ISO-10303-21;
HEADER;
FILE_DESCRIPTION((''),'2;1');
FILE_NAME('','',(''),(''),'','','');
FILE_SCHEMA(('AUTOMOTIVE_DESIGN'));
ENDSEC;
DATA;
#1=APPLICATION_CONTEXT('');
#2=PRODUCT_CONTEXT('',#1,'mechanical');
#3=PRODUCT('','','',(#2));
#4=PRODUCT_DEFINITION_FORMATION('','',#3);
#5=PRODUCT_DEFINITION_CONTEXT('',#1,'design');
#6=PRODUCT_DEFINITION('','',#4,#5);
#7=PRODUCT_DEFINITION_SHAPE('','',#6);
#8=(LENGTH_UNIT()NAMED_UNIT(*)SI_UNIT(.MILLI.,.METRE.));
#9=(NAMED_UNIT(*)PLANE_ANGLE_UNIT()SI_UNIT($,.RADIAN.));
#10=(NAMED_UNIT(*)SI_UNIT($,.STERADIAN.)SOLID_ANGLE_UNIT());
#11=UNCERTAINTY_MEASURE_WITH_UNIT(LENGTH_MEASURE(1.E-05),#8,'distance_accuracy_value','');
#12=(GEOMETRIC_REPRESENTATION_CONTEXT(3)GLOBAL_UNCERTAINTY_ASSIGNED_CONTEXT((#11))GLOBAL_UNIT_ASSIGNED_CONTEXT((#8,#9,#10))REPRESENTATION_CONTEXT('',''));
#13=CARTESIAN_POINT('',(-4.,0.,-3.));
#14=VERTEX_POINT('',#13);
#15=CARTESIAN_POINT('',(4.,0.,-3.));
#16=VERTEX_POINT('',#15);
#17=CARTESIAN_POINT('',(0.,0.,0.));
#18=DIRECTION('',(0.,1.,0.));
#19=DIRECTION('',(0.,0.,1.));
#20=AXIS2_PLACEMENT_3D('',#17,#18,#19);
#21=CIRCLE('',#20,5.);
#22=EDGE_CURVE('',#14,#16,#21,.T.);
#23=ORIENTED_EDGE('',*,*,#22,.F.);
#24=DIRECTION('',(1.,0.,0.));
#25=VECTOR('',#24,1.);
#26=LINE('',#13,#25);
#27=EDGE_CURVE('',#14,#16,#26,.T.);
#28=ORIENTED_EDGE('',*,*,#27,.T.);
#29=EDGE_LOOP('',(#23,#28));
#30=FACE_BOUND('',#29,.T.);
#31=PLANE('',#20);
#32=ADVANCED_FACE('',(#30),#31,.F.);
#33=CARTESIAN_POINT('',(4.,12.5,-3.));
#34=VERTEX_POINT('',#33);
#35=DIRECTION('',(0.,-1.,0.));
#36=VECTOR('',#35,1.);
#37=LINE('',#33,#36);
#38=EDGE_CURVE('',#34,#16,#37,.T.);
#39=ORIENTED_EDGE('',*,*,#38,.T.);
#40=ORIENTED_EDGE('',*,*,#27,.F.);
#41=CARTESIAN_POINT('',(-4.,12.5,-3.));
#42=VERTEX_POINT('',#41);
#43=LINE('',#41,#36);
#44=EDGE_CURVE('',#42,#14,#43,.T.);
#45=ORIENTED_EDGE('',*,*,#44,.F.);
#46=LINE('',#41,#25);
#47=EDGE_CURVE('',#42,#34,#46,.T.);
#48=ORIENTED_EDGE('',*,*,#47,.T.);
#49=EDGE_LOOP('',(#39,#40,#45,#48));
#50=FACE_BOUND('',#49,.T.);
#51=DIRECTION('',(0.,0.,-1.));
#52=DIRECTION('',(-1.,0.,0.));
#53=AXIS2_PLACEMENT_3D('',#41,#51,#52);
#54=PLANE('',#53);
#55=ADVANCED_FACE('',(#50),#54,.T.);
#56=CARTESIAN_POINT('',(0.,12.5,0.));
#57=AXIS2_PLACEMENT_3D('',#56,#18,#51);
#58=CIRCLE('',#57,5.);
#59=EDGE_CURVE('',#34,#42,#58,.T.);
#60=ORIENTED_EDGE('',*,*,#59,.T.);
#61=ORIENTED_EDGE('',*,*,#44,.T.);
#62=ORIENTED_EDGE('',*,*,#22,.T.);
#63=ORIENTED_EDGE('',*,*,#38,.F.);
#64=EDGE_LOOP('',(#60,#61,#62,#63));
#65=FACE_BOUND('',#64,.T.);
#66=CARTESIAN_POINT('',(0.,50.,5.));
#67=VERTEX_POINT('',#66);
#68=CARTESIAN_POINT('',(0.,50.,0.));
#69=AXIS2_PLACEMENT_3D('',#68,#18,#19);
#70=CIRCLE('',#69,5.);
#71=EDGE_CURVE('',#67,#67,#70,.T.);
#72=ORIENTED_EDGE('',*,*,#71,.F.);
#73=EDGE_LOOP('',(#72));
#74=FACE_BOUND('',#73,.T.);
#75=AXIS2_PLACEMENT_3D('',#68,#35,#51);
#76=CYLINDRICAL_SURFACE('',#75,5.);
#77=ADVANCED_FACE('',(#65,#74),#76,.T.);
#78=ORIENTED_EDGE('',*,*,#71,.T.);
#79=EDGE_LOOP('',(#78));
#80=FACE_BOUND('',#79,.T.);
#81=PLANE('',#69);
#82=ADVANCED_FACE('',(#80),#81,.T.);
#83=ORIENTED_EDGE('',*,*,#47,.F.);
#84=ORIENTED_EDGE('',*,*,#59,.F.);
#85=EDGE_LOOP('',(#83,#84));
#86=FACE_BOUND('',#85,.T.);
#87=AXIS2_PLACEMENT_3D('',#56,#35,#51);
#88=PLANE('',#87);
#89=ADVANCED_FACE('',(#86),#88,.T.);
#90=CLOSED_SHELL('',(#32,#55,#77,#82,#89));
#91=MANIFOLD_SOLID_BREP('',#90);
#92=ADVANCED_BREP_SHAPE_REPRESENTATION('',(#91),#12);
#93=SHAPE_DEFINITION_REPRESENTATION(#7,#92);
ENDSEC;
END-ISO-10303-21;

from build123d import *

# Parameters (mm, degrees)
SKETCH2_R           = 5
BOSS_EXTRUDE1_DEPTH = 50
CUT_EXTRUDE1_DEPTH  = 12.5


with BuildPart() as part:
    # Sketch2 → Boss-Extrude1 (new body)
    with BuildSketch(Plane(origin=(0, 0, 0), x_dir=(1, 0, 0), z_dir=(0, 1, 0))):
        with Locations(Location((0, 0, 0), (0, 0, 270))):
            Circle(SKETCH2_R)
    extrude(amount=BOSS_EXTRUDE1_DEPTH)

    # Sketch3 → Cut-Extrude1 (cut)
    with BuildSketch(Plane(origin=(0, 0, 0), x_dir=(1, 0, 0), z_dir=(0, 1, 0))):
        with BuildLine():
            Line((-4, 3), (4, 3))
            ThreePointArc((4, 3), (0, 5), (-4, 3))
        make_face()
    extrude(amount=CUT_EXTRUDE1_DEPTH, mode=Mode.SUBTRACT)


solid = part.part
